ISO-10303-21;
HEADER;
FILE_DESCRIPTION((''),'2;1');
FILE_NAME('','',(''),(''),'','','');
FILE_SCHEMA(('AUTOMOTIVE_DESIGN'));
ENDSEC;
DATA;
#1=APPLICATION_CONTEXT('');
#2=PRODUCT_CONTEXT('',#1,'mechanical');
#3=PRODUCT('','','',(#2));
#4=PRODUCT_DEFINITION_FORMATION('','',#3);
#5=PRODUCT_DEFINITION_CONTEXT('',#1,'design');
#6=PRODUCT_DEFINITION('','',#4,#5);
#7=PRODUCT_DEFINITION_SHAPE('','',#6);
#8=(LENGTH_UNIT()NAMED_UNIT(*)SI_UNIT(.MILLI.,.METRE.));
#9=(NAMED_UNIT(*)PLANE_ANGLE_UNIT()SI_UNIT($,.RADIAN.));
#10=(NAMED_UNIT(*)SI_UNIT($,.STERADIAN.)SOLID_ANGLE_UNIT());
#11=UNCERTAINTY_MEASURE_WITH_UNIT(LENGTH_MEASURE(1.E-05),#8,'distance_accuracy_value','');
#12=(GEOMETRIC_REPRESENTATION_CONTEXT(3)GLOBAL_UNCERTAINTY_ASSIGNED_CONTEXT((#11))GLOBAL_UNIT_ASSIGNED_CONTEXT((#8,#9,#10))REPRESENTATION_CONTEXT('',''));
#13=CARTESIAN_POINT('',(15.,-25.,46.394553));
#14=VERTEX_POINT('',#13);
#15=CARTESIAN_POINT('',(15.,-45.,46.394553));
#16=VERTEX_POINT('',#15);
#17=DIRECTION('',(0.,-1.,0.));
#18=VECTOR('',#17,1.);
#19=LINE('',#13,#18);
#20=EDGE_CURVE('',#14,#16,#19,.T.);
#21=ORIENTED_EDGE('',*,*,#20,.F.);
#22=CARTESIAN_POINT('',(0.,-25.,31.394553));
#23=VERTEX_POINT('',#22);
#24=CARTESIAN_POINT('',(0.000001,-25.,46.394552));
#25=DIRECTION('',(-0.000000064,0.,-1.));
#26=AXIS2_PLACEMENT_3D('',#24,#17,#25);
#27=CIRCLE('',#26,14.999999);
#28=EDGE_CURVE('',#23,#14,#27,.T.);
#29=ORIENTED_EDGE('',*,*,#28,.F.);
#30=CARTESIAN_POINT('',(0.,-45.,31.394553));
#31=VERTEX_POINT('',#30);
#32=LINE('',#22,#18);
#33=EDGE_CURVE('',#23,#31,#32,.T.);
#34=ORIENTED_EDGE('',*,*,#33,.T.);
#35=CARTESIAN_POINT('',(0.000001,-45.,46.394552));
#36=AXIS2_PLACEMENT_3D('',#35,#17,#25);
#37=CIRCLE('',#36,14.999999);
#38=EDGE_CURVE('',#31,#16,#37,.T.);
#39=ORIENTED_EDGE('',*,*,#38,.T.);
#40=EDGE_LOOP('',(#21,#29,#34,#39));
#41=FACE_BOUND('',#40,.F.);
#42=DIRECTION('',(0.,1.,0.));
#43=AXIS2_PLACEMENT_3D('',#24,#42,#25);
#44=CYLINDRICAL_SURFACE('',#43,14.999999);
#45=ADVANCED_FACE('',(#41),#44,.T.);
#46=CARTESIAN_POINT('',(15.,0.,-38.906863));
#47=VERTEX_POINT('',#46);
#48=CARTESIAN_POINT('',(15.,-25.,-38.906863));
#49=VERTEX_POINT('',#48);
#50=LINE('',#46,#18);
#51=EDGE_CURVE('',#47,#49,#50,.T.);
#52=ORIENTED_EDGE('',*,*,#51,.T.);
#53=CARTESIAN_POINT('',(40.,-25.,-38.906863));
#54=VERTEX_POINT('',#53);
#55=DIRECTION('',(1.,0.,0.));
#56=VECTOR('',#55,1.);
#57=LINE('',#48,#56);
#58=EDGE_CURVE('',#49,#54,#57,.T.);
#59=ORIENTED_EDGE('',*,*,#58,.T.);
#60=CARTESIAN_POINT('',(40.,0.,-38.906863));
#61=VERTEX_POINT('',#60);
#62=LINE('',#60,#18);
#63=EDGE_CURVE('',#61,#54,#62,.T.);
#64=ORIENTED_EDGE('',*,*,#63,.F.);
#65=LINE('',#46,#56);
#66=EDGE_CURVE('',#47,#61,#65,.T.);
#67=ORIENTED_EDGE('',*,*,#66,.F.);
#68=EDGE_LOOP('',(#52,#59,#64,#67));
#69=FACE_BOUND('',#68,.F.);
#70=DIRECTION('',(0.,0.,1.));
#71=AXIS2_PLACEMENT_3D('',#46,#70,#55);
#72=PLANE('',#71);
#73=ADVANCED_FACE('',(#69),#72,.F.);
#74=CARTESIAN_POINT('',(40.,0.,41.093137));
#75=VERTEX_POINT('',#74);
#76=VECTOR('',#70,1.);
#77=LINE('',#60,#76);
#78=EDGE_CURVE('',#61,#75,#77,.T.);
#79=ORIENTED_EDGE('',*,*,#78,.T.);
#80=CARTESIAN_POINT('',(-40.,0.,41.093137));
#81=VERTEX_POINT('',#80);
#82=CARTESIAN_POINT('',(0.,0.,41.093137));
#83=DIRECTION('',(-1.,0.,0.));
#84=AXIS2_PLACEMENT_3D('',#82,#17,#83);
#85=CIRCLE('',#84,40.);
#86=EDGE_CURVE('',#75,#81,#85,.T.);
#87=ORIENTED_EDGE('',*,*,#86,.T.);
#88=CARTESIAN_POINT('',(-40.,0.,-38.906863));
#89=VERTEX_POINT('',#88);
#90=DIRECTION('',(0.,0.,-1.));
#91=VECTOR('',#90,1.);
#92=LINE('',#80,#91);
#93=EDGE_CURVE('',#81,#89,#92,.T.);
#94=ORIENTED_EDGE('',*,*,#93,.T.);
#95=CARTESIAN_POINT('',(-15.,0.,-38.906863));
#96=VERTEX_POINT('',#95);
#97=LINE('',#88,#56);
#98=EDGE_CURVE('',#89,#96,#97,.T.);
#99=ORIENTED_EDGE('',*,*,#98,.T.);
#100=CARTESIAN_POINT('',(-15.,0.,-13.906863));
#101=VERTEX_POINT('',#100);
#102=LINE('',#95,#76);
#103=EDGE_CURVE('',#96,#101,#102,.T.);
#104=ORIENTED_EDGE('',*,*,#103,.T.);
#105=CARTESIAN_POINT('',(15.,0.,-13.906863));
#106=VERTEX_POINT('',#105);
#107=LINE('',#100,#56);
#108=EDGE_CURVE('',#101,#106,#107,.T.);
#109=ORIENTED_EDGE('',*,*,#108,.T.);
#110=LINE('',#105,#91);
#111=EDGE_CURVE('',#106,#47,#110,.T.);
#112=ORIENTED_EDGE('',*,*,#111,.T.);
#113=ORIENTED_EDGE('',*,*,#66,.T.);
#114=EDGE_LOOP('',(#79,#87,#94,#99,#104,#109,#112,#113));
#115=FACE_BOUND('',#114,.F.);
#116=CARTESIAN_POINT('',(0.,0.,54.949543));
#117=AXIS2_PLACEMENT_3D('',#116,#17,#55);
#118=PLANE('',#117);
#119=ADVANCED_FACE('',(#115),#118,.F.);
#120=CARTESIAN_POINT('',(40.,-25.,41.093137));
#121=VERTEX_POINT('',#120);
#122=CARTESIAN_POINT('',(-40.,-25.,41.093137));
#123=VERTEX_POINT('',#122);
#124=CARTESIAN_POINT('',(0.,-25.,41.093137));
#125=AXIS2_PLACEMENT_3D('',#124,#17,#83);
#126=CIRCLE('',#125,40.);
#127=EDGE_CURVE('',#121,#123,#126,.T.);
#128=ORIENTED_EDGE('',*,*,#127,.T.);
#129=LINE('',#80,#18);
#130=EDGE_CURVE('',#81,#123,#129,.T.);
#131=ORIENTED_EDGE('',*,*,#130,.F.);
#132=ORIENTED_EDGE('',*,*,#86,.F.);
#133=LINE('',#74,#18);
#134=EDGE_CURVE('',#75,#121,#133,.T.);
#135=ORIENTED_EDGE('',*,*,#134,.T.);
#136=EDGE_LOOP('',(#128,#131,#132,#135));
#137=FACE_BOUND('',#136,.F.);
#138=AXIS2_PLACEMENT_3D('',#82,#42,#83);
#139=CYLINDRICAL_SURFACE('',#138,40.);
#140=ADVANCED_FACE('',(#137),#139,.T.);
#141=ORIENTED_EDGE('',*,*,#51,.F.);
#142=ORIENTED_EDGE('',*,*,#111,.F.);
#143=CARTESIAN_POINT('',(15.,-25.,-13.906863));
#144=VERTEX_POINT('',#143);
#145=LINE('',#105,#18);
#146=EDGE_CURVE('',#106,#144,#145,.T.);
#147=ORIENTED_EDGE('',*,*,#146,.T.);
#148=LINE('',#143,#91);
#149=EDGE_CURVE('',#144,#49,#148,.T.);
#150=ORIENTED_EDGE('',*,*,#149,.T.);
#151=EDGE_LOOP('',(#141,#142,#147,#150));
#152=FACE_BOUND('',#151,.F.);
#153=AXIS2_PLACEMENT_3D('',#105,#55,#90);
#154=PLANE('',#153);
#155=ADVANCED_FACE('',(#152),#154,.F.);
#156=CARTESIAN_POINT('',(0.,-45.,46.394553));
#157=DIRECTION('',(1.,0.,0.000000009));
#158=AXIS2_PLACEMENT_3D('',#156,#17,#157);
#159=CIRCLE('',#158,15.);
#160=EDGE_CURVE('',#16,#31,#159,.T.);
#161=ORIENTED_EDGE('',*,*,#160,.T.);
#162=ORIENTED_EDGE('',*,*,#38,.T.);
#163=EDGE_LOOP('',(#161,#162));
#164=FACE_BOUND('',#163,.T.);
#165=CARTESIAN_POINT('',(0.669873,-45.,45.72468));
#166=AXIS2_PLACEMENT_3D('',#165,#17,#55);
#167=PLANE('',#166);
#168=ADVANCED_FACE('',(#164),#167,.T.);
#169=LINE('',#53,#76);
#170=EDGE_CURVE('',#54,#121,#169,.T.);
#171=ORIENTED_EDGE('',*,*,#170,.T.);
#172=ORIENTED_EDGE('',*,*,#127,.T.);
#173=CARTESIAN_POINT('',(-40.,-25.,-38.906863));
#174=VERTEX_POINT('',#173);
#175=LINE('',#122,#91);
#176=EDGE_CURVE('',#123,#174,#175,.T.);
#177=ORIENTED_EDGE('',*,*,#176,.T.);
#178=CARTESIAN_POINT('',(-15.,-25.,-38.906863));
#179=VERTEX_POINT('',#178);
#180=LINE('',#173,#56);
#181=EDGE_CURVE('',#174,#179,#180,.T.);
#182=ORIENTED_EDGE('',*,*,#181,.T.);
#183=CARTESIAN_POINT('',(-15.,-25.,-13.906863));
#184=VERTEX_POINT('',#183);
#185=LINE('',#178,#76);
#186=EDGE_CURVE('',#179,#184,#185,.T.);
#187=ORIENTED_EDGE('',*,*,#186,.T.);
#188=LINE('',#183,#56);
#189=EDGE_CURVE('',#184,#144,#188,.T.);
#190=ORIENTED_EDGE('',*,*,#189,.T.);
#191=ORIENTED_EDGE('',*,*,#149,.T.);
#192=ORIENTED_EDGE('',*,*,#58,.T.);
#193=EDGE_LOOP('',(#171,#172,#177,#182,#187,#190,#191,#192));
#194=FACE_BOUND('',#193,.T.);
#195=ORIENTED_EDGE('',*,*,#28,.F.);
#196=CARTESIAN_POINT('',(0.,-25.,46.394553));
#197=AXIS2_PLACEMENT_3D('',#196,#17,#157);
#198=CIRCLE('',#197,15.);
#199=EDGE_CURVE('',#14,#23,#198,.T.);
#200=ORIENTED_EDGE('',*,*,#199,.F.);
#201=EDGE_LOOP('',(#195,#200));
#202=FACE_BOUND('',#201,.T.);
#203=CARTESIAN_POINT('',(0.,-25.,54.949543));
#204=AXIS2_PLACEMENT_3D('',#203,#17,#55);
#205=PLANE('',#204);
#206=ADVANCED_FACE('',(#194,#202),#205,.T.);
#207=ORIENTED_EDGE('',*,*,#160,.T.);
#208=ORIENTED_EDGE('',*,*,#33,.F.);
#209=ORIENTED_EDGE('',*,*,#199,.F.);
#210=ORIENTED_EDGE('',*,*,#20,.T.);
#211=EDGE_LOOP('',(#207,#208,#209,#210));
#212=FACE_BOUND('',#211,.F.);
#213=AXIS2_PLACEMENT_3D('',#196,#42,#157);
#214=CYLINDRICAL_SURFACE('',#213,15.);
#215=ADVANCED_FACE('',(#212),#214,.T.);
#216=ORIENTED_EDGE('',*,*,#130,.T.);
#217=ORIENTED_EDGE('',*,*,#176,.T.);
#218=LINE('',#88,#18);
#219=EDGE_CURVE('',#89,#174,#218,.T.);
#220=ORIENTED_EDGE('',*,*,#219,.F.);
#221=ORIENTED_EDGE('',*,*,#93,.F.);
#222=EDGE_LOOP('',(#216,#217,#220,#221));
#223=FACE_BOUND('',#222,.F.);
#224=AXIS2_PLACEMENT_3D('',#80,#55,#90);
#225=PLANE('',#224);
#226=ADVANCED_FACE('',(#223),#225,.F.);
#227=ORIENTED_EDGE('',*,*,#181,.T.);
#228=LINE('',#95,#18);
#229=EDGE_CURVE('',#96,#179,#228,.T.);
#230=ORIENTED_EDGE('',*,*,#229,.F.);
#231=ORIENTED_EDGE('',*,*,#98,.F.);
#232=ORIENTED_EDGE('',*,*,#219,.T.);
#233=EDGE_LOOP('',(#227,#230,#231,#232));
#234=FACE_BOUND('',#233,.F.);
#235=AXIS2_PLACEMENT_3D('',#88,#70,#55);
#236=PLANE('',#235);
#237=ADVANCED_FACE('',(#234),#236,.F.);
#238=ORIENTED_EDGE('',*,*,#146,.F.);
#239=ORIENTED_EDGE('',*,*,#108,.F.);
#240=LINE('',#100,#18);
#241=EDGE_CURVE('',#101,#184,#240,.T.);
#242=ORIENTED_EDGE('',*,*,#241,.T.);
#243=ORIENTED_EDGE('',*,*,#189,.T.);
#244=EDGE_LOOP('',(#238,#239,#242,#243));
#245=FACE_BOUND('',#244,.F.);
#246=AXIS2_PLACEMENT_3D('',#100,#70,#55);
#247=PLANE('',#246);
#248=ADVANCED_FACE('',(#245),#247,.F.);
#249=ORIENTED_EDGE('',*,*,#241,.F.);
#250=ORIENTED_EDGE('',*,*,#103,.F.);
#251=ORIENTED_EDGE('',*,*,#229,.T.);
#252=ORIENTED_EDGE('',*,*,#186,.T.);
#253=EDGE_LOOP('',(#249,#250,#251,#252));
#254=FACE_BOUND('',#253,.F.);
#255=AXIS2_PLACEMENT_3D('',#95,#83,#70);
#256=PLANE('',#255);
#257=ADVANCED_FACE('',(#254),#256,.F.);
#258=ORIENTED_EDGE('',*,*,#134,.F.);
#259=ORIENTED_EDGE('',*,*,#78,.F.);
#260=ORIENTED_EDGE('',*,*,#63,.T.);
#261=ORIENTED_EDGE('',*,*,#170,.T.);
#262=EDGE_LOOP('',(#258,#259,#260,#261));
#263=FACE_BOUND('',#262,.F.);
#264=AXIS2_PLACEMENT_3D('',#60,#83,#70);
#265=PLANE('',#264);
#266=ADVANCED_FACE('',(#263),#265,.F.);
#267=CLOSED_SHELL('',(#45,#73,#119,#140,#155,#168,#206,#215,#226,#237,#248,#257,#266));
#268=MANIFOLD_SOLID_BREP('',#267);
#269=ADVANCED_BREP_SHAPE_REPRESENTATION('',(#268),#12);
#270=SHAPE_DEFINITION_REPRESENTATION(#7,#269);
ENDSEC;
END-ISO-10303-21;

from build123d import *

# Parameters (mm, degrees)
F1_DEPTH = 25
F4_DEPTH = 20


with BuildPart() as f1:
    # F0 (on Front) → F1 (new body)
    with BuildSketch(Plane.XZ):
        with BuildLine():
            Line((0, 41.093137), (40, 41.093137))
            ThreePointArc((40, 41.093137), (0, 81.093137), (-40, 41.093137))
            Line((-40, 41.093137), (0, 41.093137))
        make_face()
        with BuildLine():
            ThreePointArc((-40, 41.093137), (0, 1.093137), (40, 41.093137))
            Line((40, 41.093137), (0, 41.093137))
            Line((0, 41.093137), (-40, 41.093137))
        make_face()
        with BuildLine():
            Line((40, -38.906863), (40, 41.093137))
            ThreePointArc((40, 41.093137), (0, 1.093137), (-40, 41.093137))
            Line((-40, 41.093137), (-40, -38.906863))
            Line((-40, -38.906863), (-15, -38.906863))
            Line((-15, -38.906863), (-15, -13.906863))
            Line((-15, -13.906863), (15, -13.906863))
            Line((15, -13.906863), (15, -38.906863))
            Line((15, -38.906863), (40, -38.906863))
        make_face()
    extrude(amount=F1_DEPTH)

    # F3 (on face) → F4 (join)
    with BuildSketch(Plane.XZ.offset(25)):
        with BuildLine():
            ThreePointArc((0, 31.394553), (10.606602, 35.787951), (15, 46.394553))
            ThreePointArc((15, 46.394553), (-10.606602, 57.001154), (0, 31.394553))
        make_face()
    extrude(amount=F4_DEPTH)


solid = f1.part
